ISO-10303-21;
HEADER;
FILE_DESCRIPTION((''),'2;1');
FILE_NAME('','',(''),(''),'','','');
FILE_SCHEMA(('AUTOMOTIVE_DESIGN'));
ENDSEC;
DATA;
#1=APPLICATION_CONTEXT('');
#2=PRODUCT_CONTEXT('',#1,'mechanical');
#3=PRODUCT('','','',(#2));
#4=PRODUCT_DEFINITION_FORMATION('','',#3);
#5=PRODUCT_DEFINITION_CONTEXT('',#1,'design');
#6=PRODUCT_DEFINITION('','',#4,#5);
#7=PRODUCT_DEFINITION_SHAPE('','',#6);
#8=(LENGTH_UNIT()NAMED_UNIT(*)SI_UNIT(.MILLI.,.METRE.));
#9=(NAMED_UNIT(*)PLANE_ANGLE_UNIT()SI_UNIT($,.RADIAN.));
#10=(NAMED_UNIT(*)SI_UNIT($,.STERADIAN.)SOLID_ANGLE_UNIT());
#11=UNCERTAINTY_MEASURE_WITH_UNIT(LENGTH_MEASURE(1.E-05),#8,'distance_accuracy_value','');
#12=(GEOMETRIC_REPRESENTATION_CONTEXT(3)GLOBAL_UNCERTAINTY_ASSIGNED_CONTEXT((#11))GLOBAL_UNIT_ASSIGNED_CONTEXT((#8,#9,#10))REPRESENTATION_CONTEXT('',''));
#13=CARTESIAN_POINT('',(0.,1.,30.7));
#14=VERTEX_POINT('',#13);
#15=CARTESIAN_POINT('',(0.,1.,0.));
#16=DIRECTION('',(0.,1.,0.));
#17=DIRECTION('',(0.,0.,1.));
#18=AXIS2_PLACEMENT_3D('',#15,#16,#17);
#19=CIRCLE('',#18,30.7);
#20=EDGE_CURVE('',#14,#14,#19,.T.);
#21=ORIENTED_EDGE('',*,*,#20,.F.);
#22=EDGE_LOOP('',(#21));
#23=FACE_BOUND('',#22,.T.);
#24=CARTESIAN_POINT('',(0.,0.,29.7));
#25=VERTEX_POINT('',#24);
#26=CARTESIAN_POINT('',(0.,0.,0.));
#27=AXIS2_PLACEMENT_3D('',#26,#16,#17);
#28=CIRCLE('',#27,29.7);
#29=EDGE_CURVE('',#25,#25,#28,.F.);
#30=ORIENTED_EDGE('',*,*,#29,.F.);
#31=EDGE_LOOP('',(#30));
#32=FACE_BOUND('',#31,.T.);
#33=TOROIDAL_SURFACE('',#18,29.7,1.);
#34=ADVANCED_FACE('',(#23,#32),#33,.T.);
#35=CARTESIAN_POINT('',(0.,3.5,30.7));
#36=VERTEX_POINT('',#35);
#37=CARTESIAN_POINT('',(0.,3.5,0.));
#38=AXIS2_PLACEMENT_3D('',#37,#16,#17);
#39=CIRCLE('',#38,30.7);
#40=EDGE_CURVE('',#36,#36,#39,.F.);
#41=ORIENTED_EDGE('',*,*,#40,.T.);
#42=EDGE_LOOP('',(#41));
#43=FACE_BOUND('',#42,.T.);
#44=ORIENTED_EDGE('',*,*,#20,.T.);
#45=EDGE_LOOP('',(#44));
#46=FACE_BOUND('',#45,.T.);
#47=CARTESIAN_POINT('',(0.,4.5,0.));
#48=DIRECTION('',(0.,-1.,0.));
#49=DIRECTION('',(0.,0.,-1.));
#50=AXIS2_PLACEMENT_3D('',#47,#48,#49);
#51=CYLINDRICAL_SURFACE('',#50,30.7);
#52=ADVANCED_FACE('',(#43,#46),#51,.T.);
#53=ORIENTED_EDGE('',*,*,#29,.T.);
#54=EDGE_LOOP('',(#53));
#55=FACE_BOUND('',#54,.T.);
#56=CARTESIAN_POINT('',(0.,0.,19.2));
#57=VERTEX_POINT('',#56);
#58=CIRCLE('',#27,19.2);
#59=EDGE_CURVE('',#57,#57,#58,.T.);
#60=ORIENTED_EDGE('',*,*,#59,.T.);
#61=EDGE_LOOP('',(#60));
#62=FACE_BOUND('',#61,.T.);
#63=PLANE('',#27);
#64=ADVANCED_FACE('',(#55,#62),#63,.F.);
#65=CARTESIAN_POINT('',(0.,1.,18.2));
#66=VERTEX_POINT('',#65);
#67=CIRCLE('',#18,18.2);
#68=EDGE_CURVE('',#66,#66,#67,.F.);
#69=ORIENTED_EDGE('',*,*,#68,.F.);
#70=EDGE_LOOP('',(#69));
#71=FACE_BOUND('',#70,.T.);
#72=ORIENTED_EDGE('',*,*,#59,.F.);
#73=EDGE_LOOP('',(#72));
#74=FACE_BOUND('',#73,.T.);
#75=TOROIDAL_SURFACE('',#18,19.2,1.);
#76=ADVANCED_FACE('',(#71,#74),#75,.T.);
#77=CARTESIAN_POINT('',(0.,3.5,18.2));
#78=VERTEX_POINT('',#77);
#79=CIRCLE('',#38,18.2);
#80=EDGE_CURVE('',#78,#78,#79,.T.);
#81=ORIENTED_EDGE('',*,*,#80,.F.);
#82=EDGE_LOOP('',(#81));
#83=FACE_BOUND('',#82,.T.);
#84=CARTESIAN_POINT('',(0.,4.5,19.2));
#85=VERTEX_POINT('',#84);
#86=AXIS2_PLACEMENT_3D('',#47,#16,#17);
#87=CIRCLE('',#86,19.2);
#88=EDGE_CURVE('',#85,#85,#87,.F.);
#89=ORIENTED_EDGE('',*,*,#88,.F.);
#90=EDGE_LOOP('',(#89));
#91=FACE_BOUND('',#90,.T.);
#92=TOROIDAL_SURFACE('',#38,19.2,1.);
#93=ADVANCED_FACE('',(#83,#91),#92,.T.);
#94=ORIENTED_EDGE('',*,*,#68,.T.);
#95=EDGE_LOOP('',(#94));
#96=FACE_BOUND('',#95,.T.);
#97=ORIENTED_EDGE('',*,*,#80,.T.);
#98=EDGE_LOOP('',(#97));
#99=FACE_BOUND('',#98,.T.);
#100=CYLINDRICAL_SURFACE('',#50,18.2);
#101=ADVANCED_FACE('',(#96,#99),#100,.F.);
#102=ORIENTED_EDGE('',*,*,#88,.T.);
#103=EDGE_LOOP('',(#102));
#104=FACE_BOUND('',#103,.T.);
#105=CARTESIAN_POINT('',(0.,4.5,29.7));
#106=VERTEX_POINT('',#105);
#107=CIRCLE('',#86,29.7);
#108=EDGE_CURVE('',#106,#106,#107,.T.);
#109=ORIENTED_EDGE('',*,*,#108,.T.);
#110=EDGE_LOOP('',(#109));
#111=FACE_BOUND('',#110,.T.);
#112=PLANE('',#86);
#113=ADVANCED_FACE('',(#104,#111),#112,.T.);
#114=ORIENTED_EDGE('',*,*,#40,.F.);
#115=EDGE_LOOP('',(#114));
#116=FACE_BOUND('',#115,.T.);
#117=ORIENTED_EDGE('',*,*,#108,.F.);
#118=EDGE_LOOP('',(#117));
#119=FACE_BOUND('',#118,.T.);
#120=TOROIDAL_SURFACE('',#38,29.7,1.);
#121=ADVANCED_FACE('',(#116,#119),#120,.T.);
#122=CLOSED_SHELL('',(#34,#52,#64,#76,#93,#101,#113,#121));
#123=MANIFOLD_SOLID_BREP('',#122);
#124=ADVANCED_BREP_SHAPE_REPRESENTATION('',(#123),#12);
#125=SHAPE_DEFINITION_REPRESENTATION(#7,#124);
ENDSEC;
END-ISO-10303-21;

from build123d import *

# Parameters (mm, degrees)
SKETCH_1_R      = 30.7
SKETCH_1_R_2    = 18.2
EXTRUDE_1_DEPTH = 4.5
FILLET_1_R      = 1


with BuildPart() as part:
    # Эскиз1 → Вытянуть1 (new body)
    with BuildSketch(Plane(origin=(0, 0, 0), x_dir=(1, 0, 0), z_dir=(0, 1, 0))):
        with Locations(Location((0, 0, 0), (0, 0, 270))):
            Circle(SKETCH_1_R)
        with Locations(Location((0, 0, 0), (0, 0, 270))):
            Circle(SKETCH_1_R_2, mode=Mode.SUBTRACT)
    extrude(amount=EXTRUDE_1_DEPTH)

    # Скругление1
    fillet_1_edges = [part.edges().sort_by_distance(p)[0] for p in [
        (0, 0, -30.7),
        (0, 4.5, -30.7),
        (0, 0, -18.2),
        (0, 4.5, -18.2),
    ]]
    fillet(fillet_1_edges, radius=FILLET_1_R)


solid = part.part
